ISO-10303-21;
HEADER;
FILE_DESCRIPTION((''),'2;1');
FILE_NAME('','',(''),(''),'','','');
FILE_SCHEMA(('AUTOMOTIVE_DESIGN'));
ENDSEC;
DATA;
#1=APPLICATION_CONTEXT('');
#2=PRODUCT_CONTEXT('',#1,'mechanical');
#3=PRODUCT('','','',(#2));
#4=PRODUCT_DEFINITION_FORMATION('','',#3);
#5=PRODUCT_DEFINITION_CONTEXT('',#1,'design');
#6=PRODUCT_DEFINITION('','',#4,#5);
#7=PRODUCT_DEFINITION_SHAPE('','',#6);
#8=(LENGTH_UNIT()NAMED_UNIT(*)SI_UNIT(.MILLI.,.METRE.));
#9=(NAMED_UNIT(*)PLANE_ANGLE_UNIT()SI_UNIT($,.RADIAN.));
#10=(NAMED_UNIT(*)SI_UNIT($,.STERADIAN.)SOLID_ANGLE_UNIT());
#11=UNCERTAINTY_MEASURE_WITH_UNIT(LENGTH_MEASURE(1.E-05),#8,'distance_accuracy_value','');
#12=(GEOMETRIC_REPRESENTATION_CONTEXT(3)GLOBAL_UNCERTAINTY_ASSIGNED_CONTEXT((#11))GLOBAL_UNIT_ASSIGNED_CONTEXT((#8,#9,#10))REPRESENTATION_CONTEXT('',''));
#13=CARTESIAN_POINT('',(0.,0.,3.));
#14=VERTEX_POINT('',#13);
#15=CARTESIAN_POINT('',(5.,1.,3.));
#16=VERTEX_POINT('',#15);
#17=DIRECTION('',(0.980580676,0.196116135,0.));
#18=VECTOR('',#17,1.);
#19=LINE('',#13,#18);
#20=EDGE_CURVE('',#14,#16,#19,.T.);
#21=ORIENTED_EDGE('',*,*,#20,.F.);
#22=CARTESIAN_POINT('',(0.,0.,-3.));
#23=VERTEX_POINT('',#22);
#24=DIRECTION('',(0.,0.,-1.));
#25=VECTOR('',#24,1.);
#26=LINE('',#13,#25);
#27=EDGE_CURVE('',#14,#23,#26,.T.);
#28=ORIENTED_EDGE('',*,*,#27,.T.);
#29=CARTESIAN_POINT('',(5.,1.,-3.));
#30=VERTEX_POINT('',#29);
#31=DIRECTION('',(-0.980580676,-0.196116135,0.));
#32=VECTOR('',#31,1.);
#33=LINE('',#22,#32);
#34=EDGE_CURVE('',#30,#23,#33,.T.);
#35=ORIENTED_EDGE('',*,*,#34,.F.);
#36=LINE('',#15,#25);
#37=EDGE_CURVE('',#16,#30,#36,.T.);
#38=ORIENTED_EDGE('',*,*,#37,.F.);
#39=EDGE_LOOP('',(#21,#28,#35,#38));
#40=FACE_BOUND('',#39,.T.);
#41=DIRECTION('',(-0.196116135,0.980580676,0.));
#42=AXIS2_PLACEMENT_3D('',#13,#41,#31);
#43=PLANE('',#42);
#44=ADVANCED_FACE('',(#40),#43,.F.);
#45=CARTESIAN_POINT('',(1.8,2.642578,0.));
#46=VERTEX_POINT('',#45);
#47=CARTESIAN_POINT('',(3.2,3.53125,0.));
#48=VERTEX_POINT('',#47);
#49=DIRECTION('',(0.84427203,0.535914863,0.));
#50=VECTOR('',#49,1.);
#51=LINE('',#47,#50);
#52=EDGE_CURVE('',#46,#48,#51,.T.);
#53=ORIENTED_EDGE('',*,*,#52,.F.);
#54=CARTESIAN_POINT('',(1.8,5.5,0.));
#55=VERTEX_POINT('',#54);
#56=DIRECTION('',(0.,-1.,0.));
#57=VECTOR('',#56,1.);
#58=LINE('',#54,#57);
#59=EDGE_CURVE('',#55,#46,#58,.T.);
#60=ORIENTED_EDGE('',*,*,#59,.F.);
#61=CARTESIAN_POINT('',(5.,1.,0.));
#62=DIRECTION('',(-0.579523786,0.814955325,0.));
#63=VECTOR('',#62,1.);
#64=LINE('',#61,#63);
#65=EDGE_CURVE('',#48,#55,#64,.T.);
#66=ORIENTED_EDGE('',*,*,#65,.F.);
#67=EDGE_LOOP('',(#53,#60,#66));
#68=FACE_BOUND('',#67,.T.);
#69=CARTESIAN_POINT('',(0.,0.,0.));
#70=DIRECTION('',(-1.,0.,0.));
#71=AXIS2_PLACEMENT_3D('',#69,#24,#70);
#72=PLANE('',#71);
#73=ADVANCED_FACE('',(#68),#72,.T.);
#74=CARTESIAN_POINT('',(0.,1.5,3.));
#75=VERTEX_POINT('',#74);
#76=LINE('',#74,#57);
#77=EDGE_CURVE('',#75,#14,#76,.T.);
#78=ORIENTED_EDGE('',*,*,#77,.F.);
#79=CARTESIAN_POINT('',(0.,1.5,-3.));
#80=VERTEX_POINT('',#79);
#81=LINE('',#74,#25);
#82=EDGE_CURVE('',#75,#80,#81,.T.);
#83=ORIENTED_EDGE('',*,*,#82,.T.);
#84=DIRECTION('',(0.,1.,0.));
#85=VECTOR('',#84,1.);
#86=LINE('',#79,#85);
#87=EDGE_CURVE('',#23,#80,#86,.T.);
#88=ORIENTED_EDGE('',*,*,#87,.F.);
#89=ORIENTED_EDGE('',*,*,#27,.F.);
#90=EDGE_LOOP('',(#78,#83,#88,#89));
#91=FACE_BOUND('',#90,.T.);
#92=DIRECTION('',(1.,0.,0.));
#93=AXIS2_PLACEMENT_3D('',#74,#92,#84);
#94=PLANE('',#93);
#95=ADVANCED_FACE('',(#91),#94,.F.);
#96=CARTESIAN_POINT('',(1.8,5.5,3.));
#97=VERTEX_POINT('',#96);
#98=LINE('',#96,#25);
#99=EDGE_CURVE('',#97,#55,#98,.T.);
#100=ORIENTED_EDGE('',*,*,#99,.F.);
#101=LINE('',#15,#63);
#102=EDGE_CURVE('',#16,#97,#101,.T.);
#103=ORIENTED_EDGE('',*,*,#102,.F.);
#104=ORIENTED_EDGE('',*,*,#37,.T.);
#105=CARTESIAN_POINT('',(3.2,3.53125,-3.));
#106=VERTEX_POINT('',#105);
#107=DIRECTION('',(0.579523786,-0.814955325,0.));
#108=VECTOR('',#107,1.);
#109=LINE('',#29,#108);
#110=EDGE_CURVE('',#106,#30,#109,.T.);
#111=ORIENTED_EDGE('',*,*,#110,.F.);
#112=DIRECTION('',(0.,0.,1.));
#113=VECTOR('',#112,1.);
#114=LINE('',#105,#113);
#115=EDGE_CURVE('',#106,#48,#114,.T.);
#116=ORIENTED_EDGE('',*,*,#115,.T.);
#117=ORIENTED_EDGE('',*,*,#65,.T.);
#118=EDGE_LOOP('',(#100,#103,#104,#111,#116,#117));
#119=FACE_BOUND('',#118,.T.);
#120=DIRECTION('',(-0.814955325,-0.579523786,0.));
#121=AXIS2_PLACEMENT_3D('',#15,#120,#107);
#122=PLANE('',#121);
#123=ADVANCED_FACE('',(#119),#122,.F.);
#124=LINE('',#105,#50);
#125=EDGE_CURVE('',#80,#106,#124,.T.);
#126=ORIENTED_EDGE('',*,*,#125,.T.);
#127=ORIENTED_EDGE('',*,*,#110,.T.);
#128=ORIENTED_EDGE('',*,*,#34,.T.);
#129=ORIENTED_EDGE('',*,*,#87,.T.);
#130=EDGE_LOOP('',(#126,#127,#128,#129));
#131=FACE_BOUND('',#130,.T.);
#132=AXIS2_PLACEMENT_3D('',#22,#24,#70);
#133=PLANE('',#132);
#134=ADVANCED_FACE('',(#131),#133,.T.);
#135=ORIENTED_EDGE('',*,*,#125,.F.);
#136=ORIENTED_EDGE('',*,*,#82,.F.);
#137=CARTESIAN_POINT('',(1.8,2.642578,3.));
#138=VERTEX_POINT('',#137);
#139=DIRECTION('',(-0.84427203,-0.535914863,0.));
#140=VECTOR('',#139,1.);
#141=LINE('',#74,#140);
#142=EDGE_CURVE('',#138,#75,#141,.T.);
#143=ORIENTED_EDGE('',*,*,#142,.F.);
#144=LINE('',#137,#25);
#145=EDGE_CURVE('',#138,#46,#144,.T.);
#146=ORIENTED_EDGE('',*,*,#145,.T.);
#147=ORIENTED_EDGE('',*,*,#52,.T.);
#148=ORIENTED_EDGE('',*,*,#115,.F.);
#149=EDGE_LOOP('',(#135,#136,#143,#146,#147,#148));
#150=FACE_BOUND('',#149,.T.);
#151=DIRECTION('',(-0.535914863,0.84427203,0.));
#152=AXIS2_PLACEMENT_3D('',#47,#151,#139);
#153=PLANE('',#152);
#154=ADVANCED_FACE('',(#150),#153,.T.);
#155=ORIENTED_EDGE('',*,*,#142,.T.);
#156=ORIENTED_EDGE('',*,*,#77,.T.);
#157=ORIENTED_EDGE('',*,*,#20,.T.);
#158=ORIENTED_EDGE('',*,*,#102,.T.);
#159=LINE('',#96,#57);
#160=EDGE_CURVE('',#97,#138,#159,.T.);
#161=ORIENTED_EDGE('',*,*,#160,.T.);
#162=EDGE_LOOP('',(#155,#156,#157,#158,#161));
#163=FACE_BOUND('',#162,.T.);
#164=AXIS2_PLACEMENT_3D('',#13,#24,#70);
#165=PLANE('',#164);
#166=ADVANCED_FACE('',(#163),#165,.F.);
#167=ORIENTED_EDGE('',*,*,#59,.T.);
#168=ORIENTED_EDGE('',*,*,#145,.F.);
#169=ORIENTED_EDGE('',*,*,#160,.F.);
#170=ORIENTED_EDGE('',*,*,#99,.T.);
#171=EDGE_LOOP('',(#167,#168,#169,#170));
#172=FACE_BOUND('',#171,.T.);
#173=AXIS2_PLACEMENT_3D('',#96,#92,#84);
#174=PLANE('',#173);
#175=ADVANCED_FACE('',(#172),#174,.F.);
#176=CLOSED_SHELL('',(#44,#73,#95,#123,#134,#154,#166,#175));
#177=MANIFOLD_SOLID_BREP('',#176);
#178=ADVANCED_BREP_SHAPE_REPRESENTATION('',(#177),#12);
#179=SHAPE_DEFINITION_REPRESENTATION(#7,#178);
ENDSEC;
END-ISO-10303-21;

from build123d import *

# Parameters (mm, degrees)
BOSS_EXTRUDE1_DEPTH = 3
BOSS_EXTRUDE2_DEPTH = 3
BOSS_EXTRUDE3_DEPTH = 3
BOSS_EXTRUDE4_DEPTH = 3


with BuildPart() as part:
    # Sketch1 → Boss-Extrude1 (new body)
    with BuildSketch(Plane.XY):
        Polygon((0, 0), (5, 1), (1.8, 5.5), (1.8, 1.5), (0, 1.5), align=None)
    extrude(amount=BOSS_EXTRUDE1_DEPTH)

    # Sketch2 → Boss-Extrude2 (add)
    with BuildSketch(Plane(origin=(0, 0, 0), x_dir=(-1, 0, 0), z_dir=(0, 0, -1))):
        Polygon((-5, 1), (-3.2, 3.53125), (-3.2, 1.5), (0, 1.5), (0, 0), align=None)
    extrude(amount=BOSS_EXTRUDE2_DEPTH)

    # Sketch3 → Boss-Extrude3 (add)
    with BuildSketch(Plane(origin=(0, 0, -3), x_dir=(-1, 0, 0), z_dir=(0, 0, -1))):
        Polygon((-3.2, 3.53125), (0, 1.5), (-3.2, 1.5), align=None)
    extrude(amount=-BOSS_EXTRUDE3_DEPTH)

    # Sketch4 → Boss-Extrude4 (add)
    with BuildSketch(Plane.XY):
        Polygon((1.8, 2.642578125), (1.8, 1.5), (0, 1.5), align=None)
    extrude(amount=BOSS_EXTRUDE4_DEPTH)


solid = part.part
